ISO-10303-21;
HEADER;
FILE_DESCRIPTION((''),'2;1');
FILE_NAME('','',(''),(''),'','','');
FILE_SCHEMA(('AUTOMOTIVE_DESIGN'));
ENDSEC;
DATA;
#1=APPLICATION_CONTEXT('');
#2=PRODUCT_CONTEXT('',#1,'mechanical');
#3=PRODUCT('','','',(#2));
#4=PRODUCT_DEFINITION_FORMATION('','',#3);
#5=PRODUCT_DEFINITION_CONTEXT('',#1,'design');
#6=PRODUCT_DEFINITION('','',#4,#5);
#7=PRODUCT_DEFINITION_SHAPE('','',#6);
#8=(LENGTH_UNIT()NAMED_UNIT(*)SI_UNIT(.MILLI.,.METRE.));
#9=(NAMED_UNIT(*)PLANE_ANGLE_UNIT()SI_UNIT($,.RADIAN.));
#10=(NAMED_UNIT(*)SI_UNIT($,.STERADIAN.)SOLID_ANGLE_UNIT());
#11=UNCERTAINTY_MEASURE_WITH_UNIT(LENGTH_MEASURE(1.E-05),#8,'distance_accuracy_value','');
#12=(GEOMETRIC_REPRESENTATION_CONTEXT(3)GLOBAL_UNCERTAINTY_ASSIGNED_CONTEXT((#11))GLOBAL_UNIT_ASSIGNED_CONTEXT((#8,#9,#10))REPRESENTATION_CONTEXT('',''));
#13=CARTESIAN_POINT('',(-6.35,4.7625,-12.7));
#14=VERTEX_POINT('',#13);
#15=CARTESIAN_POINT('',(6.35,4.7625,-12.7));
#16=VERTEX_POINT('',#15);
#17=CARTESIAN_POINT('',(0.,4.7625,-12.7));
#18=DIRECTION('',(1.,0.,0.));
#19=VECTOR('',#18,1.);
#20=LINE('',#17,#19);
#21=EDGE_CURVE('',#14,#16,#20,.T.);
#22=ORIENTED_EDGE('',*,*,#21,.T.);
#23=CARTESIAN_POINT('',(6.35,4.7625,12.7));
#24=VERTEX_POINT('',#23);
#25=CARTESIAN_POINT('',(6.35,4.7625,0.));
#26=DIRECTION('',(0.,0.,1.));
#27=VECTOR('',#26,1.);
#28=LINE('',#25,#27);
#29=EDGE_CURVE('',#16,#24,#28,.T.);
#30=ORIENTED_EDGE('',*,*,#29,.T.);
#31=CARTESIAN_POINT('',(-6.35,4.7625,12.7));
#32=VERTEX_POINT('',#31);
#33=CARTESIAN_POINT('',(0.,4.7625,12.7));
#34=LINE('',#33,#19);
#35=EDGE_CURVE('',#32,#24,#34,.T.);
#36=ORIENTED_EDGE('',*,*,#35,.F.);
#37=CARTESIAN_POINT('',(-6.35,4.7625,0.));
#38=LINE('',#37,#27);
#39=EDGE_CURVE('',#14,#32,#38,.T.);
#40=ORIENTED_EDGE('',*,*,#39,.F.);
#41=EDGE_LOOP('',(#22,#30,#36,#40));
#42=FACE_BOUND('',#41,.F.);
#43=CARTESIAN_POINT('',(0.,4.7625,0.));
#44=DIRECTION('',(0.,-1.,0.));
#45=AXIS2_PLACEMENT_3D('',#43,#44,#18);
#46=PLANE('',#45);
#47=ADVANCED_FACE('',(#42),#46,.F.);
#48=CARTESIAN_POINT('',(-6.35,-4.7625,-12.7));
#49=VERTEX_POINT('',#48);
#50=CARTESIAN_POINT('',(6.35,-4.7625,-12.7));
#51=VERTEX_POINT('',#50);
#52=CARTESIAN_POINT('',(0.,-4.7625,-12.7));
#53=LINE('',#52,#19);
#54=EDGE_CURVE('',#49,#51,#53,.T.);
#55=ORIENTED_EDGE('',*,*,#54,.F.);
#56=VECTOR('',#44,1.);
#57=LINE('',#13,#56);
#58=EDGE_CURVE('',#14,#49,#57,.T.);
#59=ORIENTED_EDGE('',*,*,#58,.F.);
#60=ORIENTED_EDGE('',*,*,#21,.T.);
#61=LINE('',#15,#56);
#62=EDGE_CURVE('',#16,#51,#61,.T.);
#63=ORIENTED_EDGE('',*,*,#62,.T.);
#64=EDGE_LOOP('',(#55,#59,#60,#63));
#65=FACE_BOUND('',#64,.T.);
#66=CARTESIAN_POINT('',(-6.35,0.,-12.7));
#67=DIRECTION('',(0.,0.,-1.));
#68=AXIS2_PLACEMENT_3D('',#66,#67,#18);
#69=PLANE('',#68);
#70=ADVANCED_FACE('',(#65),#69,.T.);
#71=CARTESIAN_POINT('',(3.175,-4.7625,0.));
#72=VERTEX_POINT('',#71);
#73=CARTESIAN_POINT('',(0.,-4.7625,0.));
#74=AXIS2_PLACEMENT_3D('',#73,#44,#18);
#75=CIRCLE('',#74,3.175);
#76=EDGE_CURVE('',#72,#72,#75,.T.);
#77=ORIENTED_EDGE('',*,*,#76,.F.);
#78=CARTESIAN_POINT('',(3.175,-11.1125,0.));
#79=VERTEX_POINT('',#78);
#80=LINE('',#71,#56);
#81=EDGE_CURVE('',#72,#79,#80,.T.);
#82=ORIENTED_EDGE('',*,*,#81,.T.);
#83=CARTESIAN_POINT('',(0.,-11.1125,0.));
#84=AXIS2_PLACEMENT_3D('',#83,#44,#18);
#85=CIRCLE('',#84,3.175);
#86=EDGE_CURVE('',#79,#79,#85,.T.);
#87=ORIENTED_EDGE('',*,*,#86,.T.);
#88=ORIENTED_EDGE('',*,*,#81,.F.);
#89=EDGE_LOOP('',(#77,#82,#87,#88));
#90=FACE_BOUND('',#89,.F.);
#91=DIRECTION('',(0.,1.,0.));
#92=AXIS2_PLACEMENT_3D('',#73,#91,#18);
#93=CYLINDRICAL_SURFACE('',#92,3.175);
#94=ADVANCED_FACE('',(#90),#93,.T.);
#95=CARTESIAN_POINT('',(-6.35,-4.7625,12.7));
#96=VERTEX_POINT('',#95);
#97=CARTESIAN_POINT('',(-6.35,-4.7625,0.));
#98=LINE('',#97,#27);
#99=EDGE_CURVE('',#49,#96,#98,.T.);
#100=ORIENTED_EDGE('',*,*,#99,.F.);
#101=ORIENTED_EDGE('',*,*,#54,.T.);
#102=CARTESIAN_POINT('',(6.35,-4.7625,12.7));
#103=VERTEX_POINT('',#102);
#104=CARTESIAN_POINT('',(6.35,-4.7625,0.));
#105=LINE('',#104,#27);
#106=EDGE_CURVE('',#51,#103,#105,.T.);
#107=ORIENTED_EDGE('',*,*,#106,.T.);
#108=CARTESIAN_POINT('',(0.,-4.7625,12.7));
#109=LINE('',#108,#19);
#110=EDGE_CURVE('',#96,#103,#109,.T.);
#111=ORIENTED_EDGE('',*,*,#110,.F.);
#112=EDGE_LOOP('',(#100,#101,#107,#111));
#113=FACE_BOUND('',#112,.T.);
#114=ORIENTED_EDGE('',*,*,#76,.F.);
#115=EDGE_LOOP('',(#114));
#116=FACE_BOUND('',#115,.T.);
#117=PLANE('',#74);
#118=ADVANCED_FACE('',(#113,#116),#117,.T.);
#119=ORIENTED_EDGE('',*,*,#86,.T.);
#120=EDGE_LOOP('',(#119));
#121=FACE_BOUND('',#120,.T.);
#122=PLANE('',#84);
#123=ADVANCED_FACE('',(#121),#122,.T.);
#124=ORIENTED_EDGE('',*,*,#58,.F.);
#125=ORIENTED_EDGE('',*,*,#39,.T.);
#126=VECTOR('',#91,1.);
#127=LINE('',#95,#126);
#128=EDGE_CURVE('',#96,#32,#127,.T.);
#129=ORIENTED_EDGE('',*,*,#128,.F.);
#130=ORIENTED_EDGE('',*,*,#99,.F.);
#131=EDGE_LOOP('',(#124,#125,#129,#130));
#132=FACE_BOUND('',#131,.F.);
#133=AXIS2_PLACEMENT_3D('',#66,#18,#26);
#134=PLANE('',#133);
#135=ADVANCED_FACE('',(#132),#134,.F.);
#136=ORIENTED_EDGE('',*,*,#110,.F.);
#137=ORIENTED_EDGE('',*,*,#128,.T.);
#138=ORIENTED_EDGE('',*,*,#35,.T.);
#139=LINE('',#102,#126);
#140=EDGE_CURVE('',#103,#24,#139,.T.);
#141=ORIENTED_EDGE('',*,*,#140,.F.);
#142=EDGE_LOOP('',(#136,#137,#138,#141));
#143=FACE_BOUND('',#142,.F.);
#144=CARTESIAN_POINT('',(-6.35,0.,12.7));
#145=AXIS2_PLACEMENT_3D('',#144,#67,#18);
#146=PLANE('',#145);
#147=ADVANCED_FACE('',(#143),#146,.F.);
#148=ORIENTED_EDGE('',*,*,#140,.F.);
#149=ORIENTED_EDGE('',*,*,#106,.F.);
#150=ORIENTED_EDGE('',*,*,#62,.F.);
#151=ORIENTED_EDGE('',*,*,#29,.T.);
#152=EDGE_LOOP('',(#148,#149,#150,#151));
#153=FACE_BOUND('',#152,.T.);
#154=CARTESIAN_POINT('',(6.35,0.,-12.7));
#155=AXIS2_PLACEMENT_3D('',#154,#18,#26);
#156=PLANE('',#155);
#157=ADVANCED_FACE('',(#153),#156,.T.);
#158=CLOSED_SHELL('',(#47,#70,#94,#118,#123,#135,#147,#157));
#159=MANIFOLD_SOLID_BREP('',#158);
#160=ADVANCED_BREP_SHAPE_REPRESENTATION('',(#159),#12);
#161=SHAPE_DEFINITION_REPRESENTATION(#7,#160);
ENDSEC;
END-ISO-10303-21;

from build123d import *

# Parameters (mm, degrees)
F0_W     = 12.7
F0_H     = 25.4
F1_DEPTH = 4.7625
F2_R     = 3.175
F3_DEPTH = 6.35


with BuildPart() as f1:
    # F0 (on Front) → F1 (new body, symmetric)
    with BuildSketch(Plane.XZ):
        Rectangle(F0_W, F0_H)
    extrude(amount=F1_DEPTH, both=True)

    # F2 (on face) → F3 (join)
    with BuildSketch(Plane.XZ.offset(4.7625)):
        Circle(F2_R)
    extrude(amount=F3_DEPTH)


solid = f1.part
